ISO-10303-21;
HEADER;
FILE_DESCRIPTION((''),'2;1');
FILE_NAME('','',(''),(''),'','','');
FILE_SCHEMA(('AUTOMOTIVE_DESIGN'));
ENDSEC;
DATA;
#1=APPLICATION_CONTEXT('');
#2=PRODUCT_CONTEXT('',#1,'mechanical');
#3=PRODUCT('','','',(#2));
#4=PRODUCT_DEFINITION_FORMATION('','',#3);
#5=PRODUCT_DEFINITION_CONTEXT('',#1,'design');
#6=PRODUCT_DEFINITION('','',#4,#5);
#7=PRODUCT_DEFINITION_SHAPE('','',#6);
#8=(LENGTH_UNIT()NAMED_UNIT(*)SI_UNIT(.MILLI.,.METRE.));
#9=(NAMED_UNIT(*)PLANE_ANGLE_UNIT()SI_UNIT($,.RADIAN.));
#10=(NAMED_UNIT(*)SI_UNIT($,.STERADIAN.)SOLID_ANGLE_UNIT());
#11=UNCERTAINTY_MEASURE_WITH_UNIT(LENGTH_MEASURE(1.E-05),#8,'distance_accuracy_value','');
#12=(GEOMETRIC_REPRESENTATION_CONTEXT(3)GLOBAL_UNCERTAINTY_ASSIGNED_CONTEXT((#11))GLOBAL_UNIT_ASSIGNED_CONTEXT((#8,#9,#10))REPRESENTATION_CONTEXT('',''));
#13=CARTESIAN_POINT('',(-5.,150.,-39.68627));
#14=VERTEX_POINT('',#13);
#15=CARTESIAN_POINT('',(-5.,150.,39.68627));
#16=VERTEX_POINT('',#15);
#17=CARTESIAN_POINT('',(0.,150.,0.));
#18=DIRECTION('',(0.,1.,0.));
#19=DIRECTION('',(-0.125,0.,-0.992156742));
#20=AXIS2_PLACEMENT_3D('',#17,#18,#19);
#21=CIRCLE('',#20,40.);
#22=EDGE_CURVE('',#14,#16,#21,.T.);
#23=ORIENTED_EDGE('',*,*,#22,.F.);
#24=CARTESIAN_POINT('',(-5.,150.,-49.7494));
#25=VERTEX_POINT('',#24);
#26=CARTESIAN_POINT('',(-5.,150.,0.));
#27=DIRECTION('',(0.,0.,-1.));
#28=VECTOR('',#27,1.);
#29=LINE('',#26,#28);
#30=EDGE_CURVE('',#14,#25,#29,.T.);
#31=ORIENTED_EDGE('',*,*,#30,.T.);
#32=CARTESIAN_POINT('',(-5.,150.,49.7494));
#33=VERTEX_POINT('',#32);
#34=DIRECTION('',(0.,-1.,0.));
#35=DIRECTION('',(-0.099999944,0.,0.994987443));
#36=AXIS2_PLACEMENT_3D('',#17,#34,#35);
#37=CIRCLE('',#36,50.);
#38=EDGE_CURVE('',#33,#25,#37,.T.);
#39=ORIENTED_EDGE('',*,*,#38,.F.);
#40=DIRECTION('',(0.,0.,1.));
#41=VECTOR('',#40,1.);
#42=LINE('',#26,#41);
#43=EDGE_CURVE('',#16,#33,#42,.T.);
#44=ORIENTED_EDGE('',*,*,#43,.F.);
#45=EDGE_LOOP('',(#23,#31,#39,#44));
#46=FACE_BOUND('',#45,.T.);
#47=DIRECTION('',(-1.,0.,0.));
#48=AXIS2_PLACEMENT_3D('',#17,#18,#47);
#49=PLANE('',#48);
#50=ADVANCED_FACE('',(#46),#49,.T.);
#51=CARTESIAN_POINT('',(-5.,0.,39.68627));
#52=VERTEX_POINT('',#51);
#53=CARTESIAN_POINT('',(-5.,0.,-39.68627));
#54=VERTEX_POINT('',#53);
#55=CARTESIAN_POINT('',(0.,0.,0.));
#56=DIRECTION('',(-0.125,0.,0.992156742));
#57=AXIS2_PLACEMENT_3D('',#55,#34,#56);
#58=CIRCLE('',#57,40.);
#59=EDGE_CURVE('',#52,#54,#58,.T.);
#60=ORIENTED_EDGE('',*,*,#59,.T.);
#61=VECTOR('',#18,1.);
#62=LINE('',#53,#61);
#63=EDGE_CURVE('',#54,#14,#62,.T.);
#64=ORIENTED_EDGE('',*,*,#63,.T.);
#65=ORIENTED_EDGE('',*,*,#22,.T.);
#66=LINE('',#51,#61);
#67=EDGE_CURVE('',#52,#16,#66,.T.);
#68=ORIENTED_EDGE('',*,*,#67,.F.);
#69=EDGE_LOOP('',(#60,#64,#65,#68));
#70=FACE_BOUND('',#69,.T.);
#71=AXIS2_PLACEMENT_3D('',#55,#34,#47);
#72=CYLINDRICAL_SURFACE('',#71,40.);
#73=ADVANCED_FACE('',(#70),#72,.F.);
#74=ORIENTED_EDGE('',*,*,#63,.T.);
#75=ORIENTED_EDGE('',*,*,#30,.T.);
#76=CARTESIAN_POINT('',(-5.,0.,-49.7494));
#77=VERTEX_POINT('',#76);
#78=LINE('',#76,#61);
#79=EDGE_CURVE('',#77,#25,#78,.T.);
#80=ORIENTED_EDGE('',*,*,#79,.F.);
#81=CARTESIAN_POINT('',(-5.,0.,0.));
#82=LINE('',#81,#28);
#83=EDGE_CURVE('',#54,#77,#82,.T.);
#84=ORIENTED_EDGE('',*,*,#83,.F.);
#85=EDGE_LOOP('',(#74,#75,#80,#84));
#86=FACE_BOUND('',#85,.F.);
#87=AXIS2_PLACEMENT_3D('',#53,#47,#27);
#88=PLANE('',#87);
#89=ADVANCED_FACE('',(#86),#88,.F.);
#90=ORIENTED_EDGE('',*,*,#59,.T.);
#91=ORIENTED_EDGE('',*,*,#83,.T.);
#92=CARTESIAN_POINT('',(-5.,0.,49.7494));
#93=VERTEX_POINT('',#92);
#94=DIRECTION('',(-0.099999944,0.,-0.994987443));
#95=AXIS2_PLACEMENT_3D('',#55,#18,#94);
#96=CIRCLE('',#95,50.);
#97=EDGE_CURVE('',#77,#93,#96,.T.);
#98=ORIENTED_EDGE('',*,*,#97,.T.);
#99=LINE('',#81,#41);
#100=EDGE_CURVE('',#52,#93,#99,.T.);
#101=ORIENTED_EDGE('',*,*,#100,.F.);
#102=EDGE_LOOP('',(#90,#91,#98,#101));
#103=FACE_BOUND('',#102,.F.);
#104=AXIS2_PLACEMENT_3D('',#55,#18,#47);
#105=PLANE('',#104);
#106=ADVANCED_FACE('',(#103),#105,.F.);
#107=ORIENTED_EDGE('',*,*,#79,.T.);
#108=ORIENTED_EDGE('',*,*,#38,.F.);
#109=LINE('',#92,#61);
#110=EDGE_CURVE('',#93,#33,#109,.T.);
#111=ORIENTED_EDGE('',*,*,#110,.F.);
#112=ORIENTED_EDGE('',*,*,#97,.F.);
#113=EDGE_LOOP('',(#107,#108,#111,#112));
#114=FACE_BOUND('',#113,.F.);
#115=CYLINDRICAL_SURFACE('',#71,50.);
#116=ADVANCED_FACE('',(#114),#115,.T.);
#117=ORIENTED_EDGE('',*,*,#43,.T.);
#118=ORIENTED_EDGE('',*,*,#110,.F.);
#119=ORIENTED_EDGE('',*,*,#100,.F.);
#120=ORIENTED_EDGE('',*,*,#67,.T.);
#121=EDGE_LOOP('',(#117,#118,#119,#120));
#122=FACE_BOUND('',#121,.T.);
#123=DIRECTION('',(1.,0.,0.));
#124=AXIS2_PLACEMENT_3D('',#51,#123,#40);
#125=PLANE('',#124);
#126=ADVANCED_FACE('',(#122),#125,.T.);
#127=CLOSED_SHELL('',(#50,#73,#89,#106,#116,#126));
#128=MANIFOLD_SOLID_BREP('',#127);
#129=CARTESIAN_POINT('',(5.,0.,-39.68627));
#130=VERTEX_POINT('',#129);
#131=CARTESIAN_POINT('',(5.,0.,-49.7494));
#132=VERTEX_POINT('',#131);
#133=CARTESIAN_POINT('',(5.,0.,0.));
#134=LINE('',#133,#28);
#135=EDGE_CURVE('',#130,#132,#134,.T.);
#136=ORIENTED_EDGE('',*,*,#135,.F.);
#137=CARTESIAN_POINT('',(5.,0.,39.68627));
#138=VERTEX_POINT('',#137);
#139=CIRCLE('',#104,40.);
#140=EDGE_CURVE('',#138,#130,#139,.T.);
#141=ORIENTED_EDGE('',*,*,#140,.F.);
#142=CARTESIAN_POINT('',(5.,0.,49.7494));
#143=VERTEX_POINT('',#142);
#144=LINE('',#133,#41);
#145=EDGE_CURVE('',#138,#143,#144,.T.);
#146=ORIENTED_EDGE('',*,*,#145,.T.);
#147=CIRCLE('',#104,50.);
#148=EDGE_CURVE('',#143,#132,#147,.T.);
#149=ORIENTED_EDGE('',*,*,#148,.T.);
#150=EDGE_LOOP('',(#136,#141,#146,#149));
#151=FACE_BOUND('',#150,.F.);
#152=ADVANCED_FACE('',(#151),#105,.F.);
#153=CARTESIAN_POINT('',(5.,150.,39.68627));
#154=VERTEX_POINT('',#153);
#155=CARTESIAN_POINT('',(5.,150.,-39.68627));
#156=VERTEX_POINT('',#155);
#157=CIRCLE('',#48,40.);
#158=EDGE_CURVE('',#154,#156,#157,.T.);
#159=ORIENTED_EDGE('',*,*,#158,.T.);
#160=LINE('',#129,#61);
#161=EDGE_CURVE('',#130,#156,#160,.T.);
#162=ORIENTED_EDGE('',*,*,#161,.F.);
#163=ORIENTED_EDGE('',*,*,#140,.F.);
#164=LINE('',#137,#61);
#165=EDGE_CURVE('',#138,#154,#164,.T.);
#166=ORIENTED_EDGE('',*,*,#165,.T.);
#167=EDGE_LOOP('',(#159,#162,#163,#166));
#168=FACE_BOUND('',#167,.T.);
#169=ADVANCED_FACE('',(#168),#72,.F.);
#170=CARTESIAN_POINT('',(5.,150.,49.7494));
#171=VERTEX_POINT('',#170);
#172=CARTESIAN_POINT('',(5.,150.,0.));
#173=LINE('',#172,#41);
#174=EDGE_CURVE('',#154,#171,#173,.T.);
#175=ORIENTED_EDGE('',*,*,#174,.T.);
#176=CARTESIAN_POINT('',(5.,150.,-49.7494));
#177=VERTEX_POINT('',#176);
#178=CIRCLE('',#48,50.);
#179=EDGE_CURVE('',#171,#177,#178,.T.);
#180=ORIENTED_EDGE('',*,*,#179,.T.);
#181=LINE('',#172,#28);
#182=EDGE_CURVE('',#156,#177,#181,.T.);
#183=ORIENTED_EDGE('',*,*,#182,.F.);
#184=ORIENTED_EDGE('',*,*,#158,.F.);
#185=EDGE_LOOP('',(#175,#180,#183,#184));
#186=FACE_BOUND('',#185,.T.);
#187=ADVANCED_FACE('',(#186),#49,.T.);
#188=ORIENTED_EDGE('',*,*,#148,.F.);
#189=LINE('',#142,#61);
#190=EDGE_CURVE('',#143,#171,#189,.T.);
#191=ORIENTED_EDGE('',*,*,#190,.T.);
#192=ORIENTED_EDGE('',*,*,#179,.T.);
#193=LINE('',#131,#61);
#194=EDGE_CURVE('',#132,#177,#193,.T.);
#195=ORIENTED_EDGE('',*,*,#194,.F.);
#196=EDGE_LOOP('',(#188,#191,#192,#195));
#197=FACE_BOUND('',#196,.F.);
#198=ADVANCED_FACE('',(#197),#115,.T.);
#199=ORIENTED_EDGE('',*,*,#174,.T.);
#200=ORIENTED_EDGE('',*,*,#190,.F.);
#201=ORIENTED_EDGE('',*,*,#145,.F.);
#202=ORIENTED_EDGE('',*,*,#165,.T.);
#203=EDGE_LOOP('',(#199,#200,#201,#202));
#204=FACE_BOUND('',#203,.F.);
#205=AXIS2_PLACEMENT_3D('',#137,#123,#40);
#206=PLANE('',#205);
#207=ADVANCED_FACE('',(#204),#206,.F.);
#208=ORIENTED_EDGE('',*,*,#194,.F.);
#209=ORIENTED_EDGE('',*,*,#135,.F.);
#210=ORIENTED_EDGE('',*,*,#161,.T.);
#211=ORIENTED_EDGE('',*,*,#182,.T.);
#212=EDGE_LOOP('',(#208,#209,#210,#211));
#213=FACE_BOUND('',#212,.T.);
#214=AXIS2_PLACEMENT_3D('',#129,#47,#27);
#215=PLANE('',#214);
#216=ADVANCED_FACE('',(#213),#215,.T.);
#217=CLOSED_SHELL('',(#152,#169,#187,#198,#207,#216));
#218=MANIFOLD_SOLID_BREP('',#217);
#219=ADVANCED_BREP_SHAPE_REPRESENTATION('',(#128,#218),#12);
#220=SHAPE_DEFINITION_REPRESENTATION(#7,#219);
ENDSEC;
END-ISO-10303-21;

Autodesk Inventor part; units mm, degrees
ref_plane "YZ Plane" through (0, 0, 0) normal (1, 0, 0) x (0, 1, 0)
ref_plane "XZ Plane" through (0, 0, 0) normal (0, 1, 0) x (-1, 0, 0)
ref_plane "XY Plane" through (0, 0, 0) normal (0, 0, 1) x (1, 0, 0)
sketch "Sketch1" plane through (0, 0, 0) normal (0, 1, 0) x (-1, 0, 0)
  circle A0 centre (0, 0) radius 50
  circle A1 centre (0, 0) radius 40
  line L0 (0, 50) -> (0, -50)
  line L1 (0, 0) -> (5, 0)
  line L2 (0, 0) -> (-5, 0)
  line L3 (5, 0) -> (5, -49.7494)
  line L4 (-5, 0) -> (-5, -49.7494)
  line L5 (5, 0) -> (5, 49.7494)
  line L6 (-5, 0) -> (-5, 49.7494)
  point P0 (-5, 39.6863)
  point P1 (-5, -39.6863)
  point P2 (5, 39.6863)
  point P3 (5, -39.6863)
  dimension "d0" = 100
  dimension "d1" = 80
  dimension "d2" = 5
  dimension "d3" = 5
extrude "Extrusion1" add sketch "Sketch1" along normal blind 150 contours A0 L3 A1 L5 | L6 A1 L4 A0
properties part number "Forearm"
